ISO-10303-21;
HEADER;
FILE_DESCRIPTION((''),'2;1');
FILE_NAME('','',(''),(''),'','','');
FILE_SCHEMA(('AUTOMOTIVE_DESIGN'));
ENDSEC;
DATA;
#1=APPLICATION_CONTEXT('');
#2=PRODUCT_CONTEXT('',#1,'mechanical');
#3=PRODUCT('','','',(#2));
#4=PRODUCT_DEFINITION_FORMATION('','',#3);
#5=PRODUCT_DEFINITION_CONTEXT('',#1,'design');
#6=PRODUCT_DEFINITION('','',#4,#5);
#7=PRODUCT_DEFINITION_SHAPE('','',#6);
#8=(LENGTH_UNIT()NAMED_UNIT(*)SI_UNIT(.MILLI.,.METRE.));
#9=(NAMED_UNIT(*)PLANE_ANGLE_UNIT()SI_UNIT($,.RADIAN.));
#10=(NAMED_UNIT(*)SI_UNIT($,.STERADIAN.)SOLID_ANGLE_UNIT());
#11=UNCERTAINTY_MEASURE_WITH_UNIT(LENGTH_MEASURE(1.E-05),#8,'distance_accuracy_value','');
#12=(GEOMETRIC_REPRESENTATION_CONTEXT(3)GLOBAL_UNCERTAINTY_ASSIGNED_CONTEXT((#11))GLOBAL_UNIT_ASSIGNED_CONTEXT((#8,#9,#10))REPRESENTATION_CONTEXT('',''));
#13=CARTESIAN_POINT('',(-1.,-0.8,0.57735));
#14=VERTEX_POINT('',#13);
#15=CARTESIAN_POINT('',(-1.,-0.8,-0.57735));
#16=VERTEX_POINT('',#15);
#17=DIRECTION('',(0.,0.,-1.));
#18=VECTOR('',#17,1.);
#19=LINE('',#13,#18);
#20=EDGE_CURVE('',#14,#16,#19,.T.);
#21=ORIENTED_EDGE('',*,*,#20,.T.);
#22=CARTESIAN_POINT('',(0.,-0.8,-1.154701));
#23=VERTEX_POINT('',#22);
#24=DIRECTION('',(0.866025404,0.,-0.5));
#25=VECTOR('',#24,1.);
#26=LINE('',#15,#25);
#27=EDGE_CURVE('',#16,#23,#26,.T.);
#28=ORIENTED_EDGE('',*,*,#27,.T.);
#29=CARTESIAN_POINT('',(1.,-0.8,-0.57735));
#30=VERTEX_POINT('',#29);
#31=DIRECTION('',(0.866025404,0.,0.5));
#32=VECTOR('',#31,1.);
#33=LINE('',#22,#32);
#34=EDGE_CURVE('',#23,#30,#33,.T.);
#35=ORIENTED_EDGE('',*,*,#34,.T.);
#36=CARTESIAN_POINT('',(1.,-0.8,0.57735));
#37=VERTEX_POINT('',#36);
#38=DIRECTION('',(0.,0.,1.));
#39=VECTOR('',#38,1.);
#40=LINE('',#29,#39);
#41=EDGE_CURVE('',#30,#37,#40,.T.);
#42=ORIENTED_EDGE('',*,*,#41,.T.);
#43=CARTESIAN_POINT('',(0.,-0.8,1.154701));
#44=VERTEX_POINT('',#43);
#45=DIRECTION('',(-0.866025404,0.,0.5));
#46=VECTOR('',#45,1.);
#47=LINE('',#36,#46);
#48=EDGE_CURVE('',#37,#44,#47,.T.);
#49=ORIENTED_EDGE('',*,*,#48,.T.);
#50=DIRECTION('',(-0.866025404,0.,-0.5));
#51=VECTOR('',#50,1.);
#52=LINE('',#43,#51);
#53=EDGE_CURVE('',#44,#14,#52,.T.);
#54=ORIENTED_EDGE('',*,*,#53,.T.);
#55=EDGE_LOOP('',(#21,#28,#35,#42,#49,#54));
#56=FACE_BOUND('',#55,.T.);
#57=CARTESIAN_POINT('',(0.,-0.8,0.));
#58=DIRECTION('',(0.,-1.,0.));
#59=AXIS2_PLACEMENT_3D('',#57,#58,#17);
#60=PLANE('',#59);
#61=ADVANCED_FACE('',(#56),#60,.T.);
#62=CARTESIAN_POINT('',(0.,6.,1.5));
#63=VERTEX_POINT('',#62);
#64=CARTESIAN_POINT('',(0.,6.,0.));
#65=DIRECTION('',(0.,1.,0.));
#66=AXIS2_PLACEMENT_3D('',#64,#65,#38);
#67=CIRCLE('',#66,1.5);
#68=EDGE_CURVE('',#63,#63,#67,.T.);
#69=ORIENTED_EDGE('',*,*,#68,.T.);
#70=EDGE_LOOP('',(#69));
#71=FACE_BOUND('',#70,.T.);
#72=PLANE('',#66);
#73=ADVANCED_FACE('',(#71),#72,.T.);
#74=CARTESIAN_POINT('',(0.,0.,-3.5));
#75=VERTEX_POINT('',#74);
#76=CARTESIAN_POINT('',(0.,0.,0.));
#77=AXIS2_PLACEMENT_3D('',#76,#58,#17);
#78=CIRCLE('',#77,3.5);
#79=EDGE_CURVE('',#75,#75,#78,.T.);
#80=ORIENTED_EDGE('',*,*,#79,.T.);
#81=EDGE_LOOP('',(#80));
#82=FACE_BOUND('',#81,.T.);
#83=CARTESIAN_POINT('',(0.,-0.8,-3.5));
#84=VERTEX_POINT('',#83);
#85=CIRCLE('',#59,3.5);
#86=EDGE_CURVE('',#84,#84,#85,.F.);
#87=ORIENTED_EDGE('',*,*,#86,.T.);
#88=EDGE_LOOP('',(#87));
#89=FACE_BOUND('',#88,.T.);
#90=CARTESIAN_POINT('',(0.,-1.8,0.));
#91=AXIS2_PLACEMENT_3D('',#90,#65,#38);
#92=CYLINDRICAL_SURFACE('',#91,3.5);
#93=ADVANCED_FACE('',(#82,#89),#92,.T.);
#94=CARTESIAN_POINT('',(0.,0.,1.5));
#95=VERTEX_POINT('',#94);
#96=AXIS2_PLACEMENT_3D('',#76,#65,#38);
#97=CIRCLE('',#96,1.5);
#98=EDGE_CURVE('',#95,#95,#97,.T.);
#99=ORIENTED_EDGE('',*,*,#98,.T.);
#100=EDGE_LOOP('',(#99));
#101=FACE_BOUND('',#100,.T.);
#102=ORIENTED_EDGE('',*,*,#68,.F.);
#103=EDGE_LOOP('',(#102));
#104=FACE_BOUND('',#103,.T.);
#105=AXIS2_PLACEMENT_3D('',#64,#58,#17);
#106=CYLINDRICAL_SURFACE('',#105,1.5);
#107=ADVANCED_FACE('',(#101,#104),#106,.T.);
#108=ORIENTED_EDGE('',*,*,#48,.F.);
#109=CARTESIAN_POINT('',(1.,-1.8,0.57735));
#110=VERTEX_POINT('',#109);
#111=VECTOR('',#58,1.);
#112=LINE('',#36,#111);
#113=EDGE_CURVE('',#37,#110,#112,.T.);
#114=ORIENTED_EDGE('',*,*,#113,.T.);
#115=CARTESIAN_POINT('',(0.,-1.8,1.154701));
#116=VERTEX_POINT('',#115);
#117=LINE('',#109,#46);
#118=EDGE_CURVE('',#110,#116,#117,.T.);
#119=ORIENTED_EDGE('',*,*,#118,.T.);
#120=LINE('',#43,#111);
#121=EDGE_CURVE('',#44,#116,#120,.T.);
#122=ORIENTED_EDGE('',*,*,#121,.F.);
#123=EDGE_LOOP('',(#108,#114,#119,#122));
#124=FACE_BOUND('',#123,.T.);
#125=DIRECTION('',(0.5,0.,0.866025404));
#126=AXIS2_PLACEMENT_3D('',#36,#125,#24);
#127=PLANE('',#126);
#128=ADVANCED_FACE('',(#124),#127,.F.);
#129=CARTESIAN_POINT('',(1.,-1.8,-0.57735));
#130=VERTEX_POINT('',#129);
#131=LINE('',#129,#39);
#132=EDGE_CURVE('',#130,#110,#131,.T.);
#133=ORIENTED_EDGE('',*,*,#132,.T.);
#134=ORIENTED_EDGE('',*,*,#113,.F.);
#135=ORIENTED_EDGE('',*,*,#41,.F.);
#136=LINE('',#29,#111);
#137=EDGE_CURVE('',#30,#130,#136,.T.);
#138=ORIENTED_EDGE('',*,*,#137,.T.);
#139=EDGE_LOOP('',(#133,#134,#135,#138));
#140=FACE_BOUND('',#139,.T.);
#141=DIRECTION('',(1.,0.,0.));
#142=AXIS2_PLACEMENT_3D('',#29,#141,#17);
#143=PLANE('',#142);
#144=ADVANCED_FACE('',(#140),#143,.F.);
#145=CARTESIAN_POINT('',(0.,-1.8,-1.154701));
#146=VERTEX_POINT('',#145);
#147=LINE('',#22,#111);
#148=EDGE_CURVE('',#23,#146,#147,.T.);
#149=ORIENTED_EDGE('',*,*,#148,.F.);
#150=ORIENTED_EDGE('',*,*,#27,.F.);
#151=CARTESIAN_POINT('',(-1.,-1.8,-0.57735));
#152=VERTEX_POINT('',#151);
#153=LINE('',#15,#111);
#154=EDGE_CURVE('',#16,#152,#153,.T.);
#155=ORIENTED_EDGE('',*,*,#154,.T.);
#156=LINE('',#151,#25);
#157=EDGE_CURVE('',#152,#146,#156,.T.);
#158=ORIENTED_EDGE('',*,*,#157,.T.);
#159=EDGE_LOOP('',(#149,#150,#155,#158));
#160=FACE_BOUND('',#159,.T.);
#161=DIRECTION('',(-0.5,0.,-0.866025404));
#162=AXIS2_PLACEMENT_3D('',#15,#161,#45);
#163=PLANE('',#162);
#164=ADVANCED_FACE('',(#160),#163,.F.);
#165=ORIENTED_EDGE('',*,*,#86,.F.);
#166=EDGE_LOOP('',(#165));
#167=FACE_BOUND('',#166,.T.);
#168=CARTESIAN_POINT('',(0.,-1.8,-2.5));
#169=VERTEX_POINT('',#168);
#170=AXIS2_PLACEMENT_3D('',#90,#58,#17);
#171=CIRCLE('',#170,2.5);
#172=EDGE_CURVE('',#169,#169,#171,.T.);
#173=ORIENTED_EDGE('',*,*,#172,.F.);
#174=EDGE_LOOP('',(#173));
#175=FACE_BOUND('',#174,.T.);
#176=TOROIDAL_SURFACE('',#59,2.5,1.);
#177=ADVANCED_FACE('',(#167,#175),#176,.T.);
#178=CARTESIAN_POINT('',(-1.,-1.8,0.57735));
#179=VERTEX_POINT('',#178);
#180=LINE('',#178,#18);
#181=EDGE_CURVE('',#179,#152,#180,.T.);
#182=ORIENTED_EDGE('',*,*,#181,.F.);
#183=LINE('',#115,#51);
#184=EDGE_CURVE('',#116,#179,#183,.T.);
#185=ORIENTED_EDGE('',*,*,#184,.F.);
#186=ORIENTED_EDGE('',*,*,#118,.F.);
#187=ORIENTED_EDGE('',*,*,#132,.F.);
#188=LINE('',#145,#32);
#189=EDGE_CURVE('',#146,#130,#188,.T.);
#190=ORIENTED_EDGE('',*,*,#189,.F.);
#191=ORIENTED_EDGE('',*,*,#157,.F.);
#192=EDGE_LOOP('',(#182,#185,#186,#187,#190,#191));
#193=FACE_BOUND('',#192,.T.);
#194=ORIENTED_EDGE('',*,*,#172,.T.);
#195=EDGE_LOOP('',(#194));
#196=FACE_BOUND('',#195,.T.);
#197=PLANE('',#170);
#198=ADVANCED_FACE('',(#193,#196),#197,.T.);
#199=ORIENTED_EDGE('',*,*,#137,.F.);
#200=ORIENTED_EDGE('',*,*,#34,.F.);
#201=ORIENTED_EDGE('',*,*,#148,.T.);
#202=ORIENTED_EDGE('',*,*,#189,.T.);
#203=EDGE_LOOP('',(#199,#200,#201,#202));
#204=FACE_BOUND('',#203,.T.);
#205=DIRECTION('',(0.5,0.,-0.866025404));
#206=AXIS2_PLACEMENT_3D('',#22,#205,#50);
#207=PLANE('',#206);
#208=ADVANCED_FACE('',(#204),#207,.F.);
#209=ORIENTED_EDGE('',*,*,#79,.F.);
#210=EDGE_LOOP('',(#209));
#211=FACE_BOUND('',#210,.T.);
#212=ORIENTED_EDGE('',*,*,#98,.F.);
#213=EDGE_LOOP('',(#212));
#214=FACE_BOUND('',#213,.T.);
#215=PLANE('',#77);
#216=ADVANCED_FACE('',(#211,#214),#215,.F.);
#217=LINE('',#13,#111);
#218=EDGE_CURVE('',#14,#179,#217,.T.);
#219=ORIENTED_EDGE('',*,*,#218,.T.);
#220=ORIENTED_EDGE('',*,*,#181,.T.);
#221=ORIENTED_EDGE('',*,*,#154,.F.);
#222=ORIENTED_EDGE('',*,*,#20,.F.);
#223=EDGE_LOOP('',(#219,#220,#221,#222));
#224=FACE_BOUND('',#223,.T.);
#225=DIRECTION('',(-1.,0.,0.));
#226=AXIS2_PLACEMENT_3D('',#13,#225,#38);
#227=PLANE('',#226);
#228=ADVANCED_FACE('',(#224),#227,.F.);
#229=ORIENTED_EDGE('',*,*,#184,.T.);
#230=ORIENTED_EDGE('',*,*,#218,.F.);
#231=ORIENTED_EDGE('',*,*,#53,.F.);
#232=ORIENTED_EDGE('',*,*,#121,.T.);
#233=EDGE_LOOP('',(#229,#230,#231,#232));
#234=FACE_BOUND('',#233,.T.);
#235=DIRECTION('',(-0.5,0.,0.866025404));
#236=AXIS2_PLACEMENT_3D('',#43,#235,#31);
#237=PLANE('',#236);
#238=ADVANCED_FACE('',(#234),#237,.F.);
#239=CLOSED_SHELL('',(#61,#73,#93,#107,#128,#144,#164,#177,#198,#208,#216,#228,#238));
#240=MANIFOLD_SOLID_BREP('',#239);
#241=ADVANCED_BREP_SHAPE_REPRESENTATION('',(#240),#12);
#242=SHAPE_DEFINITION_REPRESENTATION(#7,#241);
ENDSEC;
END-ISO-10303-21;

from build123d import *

# Parameters (mm, degrees)
SKETCH_1_R          = 1.5
EXTRUDE_1_DEPTH     = 6
SKETCH_2_R          = 3.5
EXTRUDE_2_DEPTH     = 1.8
CUT_EXTRUDE_1_DEPTH = 1
FILLET_1_R          = 1


with BuildPart() as part:
    # 草图1 → 凸台-拉伸1 (new body)
    with BuildSketch(Plane(origin=(0, 0, 0), x_dir=(1, 0, 0), z_dir=(0, 1, 0))):
        with Locations(Location((0, 0, 0), (0, 0, 270))):
            Circle(SKETCH_1_R)
    extrude(amount=EXTRUDE_1_DEPTH)

    # 草图2 → 凸台-拉伸2 (add)
    with BuildSketch(Plane.XZ):
        with Locations(Location((0, 0, 0), (0, 0, 270))):
            Circle(SKETCH_2_R)
    extrude(amount=EXTRUDE_2_DEPTH)

    # 草图3 → 切除-拉伸1 (cut)
    with BuildSketch(Plane.XZ.offset(1.8)):
        Polygon((1, 0.577350269), (0, 1.154700538), (-1, 0.577350269), (-1, -0.577350269), (0, -1.154700538), (1, -0.577350269), align=None)
    extrude(amount=-CUT_EXTRUDE_1_DEPTH, mode=Mode.SUBTRACT)

    # 圆角1
    fillet_1_edges = [part.edges().sort_by_distance(p)[0] for p in [
        (0, -1.8, 3.5),
    ]]
    fillet(fillet_1_edges, radius=FILLET_1_R)


solid = part.part
